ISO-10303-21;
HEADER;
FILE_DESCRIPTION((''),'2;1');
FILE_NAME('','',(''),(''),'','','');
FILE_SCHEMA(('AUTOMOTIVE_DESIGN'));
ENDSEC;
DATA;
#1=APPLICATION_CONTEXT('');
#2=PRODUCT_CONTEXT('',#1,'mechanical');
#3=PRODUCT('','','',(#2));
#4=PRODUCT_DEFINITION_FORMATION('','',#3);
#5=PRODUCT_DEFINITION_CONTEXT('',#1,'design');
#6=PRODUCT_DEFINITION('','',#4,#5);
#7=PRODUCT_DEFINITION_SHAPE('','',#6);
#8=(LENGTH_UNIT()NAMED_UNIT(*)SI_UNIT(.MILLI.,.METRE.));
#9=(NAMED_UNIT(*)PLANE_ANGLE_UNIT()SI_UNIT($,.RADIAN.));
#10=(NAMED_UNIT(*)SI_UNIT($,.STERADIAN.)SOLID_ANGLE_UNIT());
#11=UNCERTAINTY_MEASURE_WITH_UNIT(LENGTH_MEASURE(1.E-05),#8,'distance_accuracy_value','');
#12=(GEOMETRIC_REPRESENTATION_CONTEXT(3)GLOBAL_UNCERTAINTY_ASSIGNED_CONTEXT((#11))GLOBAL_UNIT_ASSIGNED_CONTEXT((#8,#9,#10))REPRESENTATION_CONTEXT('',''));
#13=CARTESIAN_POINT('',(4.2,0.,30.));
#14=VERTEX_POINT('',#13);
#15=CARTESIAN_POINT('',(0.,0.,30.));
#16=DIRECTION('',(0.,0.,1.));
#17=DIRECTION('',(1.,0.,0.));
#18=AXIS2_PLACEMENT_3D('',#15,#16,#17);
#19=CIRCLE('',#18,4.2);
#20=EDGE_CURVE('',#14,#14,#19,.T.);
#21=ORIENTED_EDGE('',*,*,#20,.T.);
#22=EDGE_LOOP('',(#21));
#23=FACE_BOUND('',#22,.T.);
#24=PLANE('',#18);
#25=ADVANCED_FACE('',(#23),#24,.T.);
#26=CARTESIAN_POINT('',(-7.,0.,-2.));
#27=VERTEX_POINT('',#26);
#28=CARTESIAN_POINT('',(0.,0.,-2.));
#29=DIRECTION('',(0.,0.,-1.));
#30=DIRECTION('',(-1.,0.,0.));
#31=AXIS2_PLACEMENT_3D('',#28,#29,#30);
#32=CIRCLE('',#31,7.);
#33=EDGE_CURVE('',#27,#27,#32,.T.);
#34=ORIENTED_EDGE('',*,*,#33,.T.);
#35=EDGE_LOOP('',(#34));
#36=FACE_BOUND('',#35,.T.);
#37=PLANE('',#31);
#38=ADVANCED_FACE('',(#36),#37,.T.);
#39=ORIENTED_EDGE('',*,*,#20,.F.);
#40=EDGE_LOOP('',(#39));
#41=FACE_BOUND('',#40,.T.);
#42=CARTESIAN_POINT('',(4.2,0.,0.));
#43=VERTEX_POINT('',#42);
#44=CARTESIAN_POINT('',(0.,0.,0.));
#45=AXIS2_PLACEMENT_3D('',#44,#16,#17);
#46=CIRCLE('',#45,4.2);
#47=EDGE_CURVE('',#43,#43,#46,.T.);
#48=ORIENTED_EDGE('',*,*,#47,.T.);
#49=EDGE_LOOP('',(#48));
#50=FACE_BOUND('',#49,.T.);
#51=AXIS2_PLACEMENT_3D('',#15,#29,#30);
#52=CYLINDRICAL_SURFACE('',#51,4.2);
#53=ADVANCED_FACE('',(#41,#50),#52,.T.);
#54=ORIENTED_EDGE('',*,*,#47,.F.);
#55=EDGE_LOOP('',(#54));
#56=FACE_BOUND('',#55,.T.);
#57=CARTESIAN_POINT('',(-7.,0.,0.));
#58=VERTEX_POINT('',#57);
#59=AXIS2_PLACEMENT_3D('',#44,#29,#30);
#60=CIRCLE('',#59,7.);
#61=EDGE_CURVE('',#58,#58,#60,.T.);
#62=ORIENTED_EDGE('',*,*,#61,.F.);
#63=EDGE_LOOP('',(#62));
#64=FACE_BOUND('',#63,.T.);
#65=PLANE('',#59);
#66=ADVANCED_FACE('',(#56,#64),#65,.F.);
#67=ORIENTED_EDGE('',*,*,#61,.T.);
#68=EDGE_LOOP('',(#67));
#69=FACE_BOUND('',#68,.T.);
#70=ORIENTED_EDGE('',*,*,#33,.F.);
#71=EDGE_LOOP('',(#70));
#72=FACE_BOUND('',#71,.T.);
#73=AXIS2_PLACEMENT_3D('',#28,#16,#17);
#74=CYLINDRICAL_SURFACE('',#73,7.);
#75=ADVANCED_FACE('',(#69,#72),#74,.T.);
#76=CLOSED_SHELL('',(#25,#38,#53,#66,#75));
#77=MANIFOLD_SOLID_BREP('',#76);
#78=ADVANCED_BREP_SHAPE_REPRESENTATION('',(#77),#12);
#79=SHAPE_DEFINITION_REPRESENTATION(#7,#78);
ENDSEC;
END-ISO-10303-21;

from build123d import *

# Parameters (mm, degrees)
SKETCH_1_R      = 4.2
EXTRUDE_1_DEPTH = 30
SKETCH_3_R      = 7
EXTRUDE_3_DEPTH = 2


with BuildPart() as part:
    # 草图1 → 凸台-拉伸1 (new body)
    with BuildSketch(Plane.XY):
        Circle(SKETCH_1_R)
    extrude(amount=EXTRUDE_1_DEPTH)

    # 草图3 → 凸台-拉伸3 (add)
    with BuildSketch(Plane(origin=(0, 0, 0), x_dir=(-1, 0, 0), z_dir=(0, 0, -1))):
        Circle(SKETCH_3_R)
    extrude(amount=EXTRUDE_3_DEPTH)


solid = part.part
